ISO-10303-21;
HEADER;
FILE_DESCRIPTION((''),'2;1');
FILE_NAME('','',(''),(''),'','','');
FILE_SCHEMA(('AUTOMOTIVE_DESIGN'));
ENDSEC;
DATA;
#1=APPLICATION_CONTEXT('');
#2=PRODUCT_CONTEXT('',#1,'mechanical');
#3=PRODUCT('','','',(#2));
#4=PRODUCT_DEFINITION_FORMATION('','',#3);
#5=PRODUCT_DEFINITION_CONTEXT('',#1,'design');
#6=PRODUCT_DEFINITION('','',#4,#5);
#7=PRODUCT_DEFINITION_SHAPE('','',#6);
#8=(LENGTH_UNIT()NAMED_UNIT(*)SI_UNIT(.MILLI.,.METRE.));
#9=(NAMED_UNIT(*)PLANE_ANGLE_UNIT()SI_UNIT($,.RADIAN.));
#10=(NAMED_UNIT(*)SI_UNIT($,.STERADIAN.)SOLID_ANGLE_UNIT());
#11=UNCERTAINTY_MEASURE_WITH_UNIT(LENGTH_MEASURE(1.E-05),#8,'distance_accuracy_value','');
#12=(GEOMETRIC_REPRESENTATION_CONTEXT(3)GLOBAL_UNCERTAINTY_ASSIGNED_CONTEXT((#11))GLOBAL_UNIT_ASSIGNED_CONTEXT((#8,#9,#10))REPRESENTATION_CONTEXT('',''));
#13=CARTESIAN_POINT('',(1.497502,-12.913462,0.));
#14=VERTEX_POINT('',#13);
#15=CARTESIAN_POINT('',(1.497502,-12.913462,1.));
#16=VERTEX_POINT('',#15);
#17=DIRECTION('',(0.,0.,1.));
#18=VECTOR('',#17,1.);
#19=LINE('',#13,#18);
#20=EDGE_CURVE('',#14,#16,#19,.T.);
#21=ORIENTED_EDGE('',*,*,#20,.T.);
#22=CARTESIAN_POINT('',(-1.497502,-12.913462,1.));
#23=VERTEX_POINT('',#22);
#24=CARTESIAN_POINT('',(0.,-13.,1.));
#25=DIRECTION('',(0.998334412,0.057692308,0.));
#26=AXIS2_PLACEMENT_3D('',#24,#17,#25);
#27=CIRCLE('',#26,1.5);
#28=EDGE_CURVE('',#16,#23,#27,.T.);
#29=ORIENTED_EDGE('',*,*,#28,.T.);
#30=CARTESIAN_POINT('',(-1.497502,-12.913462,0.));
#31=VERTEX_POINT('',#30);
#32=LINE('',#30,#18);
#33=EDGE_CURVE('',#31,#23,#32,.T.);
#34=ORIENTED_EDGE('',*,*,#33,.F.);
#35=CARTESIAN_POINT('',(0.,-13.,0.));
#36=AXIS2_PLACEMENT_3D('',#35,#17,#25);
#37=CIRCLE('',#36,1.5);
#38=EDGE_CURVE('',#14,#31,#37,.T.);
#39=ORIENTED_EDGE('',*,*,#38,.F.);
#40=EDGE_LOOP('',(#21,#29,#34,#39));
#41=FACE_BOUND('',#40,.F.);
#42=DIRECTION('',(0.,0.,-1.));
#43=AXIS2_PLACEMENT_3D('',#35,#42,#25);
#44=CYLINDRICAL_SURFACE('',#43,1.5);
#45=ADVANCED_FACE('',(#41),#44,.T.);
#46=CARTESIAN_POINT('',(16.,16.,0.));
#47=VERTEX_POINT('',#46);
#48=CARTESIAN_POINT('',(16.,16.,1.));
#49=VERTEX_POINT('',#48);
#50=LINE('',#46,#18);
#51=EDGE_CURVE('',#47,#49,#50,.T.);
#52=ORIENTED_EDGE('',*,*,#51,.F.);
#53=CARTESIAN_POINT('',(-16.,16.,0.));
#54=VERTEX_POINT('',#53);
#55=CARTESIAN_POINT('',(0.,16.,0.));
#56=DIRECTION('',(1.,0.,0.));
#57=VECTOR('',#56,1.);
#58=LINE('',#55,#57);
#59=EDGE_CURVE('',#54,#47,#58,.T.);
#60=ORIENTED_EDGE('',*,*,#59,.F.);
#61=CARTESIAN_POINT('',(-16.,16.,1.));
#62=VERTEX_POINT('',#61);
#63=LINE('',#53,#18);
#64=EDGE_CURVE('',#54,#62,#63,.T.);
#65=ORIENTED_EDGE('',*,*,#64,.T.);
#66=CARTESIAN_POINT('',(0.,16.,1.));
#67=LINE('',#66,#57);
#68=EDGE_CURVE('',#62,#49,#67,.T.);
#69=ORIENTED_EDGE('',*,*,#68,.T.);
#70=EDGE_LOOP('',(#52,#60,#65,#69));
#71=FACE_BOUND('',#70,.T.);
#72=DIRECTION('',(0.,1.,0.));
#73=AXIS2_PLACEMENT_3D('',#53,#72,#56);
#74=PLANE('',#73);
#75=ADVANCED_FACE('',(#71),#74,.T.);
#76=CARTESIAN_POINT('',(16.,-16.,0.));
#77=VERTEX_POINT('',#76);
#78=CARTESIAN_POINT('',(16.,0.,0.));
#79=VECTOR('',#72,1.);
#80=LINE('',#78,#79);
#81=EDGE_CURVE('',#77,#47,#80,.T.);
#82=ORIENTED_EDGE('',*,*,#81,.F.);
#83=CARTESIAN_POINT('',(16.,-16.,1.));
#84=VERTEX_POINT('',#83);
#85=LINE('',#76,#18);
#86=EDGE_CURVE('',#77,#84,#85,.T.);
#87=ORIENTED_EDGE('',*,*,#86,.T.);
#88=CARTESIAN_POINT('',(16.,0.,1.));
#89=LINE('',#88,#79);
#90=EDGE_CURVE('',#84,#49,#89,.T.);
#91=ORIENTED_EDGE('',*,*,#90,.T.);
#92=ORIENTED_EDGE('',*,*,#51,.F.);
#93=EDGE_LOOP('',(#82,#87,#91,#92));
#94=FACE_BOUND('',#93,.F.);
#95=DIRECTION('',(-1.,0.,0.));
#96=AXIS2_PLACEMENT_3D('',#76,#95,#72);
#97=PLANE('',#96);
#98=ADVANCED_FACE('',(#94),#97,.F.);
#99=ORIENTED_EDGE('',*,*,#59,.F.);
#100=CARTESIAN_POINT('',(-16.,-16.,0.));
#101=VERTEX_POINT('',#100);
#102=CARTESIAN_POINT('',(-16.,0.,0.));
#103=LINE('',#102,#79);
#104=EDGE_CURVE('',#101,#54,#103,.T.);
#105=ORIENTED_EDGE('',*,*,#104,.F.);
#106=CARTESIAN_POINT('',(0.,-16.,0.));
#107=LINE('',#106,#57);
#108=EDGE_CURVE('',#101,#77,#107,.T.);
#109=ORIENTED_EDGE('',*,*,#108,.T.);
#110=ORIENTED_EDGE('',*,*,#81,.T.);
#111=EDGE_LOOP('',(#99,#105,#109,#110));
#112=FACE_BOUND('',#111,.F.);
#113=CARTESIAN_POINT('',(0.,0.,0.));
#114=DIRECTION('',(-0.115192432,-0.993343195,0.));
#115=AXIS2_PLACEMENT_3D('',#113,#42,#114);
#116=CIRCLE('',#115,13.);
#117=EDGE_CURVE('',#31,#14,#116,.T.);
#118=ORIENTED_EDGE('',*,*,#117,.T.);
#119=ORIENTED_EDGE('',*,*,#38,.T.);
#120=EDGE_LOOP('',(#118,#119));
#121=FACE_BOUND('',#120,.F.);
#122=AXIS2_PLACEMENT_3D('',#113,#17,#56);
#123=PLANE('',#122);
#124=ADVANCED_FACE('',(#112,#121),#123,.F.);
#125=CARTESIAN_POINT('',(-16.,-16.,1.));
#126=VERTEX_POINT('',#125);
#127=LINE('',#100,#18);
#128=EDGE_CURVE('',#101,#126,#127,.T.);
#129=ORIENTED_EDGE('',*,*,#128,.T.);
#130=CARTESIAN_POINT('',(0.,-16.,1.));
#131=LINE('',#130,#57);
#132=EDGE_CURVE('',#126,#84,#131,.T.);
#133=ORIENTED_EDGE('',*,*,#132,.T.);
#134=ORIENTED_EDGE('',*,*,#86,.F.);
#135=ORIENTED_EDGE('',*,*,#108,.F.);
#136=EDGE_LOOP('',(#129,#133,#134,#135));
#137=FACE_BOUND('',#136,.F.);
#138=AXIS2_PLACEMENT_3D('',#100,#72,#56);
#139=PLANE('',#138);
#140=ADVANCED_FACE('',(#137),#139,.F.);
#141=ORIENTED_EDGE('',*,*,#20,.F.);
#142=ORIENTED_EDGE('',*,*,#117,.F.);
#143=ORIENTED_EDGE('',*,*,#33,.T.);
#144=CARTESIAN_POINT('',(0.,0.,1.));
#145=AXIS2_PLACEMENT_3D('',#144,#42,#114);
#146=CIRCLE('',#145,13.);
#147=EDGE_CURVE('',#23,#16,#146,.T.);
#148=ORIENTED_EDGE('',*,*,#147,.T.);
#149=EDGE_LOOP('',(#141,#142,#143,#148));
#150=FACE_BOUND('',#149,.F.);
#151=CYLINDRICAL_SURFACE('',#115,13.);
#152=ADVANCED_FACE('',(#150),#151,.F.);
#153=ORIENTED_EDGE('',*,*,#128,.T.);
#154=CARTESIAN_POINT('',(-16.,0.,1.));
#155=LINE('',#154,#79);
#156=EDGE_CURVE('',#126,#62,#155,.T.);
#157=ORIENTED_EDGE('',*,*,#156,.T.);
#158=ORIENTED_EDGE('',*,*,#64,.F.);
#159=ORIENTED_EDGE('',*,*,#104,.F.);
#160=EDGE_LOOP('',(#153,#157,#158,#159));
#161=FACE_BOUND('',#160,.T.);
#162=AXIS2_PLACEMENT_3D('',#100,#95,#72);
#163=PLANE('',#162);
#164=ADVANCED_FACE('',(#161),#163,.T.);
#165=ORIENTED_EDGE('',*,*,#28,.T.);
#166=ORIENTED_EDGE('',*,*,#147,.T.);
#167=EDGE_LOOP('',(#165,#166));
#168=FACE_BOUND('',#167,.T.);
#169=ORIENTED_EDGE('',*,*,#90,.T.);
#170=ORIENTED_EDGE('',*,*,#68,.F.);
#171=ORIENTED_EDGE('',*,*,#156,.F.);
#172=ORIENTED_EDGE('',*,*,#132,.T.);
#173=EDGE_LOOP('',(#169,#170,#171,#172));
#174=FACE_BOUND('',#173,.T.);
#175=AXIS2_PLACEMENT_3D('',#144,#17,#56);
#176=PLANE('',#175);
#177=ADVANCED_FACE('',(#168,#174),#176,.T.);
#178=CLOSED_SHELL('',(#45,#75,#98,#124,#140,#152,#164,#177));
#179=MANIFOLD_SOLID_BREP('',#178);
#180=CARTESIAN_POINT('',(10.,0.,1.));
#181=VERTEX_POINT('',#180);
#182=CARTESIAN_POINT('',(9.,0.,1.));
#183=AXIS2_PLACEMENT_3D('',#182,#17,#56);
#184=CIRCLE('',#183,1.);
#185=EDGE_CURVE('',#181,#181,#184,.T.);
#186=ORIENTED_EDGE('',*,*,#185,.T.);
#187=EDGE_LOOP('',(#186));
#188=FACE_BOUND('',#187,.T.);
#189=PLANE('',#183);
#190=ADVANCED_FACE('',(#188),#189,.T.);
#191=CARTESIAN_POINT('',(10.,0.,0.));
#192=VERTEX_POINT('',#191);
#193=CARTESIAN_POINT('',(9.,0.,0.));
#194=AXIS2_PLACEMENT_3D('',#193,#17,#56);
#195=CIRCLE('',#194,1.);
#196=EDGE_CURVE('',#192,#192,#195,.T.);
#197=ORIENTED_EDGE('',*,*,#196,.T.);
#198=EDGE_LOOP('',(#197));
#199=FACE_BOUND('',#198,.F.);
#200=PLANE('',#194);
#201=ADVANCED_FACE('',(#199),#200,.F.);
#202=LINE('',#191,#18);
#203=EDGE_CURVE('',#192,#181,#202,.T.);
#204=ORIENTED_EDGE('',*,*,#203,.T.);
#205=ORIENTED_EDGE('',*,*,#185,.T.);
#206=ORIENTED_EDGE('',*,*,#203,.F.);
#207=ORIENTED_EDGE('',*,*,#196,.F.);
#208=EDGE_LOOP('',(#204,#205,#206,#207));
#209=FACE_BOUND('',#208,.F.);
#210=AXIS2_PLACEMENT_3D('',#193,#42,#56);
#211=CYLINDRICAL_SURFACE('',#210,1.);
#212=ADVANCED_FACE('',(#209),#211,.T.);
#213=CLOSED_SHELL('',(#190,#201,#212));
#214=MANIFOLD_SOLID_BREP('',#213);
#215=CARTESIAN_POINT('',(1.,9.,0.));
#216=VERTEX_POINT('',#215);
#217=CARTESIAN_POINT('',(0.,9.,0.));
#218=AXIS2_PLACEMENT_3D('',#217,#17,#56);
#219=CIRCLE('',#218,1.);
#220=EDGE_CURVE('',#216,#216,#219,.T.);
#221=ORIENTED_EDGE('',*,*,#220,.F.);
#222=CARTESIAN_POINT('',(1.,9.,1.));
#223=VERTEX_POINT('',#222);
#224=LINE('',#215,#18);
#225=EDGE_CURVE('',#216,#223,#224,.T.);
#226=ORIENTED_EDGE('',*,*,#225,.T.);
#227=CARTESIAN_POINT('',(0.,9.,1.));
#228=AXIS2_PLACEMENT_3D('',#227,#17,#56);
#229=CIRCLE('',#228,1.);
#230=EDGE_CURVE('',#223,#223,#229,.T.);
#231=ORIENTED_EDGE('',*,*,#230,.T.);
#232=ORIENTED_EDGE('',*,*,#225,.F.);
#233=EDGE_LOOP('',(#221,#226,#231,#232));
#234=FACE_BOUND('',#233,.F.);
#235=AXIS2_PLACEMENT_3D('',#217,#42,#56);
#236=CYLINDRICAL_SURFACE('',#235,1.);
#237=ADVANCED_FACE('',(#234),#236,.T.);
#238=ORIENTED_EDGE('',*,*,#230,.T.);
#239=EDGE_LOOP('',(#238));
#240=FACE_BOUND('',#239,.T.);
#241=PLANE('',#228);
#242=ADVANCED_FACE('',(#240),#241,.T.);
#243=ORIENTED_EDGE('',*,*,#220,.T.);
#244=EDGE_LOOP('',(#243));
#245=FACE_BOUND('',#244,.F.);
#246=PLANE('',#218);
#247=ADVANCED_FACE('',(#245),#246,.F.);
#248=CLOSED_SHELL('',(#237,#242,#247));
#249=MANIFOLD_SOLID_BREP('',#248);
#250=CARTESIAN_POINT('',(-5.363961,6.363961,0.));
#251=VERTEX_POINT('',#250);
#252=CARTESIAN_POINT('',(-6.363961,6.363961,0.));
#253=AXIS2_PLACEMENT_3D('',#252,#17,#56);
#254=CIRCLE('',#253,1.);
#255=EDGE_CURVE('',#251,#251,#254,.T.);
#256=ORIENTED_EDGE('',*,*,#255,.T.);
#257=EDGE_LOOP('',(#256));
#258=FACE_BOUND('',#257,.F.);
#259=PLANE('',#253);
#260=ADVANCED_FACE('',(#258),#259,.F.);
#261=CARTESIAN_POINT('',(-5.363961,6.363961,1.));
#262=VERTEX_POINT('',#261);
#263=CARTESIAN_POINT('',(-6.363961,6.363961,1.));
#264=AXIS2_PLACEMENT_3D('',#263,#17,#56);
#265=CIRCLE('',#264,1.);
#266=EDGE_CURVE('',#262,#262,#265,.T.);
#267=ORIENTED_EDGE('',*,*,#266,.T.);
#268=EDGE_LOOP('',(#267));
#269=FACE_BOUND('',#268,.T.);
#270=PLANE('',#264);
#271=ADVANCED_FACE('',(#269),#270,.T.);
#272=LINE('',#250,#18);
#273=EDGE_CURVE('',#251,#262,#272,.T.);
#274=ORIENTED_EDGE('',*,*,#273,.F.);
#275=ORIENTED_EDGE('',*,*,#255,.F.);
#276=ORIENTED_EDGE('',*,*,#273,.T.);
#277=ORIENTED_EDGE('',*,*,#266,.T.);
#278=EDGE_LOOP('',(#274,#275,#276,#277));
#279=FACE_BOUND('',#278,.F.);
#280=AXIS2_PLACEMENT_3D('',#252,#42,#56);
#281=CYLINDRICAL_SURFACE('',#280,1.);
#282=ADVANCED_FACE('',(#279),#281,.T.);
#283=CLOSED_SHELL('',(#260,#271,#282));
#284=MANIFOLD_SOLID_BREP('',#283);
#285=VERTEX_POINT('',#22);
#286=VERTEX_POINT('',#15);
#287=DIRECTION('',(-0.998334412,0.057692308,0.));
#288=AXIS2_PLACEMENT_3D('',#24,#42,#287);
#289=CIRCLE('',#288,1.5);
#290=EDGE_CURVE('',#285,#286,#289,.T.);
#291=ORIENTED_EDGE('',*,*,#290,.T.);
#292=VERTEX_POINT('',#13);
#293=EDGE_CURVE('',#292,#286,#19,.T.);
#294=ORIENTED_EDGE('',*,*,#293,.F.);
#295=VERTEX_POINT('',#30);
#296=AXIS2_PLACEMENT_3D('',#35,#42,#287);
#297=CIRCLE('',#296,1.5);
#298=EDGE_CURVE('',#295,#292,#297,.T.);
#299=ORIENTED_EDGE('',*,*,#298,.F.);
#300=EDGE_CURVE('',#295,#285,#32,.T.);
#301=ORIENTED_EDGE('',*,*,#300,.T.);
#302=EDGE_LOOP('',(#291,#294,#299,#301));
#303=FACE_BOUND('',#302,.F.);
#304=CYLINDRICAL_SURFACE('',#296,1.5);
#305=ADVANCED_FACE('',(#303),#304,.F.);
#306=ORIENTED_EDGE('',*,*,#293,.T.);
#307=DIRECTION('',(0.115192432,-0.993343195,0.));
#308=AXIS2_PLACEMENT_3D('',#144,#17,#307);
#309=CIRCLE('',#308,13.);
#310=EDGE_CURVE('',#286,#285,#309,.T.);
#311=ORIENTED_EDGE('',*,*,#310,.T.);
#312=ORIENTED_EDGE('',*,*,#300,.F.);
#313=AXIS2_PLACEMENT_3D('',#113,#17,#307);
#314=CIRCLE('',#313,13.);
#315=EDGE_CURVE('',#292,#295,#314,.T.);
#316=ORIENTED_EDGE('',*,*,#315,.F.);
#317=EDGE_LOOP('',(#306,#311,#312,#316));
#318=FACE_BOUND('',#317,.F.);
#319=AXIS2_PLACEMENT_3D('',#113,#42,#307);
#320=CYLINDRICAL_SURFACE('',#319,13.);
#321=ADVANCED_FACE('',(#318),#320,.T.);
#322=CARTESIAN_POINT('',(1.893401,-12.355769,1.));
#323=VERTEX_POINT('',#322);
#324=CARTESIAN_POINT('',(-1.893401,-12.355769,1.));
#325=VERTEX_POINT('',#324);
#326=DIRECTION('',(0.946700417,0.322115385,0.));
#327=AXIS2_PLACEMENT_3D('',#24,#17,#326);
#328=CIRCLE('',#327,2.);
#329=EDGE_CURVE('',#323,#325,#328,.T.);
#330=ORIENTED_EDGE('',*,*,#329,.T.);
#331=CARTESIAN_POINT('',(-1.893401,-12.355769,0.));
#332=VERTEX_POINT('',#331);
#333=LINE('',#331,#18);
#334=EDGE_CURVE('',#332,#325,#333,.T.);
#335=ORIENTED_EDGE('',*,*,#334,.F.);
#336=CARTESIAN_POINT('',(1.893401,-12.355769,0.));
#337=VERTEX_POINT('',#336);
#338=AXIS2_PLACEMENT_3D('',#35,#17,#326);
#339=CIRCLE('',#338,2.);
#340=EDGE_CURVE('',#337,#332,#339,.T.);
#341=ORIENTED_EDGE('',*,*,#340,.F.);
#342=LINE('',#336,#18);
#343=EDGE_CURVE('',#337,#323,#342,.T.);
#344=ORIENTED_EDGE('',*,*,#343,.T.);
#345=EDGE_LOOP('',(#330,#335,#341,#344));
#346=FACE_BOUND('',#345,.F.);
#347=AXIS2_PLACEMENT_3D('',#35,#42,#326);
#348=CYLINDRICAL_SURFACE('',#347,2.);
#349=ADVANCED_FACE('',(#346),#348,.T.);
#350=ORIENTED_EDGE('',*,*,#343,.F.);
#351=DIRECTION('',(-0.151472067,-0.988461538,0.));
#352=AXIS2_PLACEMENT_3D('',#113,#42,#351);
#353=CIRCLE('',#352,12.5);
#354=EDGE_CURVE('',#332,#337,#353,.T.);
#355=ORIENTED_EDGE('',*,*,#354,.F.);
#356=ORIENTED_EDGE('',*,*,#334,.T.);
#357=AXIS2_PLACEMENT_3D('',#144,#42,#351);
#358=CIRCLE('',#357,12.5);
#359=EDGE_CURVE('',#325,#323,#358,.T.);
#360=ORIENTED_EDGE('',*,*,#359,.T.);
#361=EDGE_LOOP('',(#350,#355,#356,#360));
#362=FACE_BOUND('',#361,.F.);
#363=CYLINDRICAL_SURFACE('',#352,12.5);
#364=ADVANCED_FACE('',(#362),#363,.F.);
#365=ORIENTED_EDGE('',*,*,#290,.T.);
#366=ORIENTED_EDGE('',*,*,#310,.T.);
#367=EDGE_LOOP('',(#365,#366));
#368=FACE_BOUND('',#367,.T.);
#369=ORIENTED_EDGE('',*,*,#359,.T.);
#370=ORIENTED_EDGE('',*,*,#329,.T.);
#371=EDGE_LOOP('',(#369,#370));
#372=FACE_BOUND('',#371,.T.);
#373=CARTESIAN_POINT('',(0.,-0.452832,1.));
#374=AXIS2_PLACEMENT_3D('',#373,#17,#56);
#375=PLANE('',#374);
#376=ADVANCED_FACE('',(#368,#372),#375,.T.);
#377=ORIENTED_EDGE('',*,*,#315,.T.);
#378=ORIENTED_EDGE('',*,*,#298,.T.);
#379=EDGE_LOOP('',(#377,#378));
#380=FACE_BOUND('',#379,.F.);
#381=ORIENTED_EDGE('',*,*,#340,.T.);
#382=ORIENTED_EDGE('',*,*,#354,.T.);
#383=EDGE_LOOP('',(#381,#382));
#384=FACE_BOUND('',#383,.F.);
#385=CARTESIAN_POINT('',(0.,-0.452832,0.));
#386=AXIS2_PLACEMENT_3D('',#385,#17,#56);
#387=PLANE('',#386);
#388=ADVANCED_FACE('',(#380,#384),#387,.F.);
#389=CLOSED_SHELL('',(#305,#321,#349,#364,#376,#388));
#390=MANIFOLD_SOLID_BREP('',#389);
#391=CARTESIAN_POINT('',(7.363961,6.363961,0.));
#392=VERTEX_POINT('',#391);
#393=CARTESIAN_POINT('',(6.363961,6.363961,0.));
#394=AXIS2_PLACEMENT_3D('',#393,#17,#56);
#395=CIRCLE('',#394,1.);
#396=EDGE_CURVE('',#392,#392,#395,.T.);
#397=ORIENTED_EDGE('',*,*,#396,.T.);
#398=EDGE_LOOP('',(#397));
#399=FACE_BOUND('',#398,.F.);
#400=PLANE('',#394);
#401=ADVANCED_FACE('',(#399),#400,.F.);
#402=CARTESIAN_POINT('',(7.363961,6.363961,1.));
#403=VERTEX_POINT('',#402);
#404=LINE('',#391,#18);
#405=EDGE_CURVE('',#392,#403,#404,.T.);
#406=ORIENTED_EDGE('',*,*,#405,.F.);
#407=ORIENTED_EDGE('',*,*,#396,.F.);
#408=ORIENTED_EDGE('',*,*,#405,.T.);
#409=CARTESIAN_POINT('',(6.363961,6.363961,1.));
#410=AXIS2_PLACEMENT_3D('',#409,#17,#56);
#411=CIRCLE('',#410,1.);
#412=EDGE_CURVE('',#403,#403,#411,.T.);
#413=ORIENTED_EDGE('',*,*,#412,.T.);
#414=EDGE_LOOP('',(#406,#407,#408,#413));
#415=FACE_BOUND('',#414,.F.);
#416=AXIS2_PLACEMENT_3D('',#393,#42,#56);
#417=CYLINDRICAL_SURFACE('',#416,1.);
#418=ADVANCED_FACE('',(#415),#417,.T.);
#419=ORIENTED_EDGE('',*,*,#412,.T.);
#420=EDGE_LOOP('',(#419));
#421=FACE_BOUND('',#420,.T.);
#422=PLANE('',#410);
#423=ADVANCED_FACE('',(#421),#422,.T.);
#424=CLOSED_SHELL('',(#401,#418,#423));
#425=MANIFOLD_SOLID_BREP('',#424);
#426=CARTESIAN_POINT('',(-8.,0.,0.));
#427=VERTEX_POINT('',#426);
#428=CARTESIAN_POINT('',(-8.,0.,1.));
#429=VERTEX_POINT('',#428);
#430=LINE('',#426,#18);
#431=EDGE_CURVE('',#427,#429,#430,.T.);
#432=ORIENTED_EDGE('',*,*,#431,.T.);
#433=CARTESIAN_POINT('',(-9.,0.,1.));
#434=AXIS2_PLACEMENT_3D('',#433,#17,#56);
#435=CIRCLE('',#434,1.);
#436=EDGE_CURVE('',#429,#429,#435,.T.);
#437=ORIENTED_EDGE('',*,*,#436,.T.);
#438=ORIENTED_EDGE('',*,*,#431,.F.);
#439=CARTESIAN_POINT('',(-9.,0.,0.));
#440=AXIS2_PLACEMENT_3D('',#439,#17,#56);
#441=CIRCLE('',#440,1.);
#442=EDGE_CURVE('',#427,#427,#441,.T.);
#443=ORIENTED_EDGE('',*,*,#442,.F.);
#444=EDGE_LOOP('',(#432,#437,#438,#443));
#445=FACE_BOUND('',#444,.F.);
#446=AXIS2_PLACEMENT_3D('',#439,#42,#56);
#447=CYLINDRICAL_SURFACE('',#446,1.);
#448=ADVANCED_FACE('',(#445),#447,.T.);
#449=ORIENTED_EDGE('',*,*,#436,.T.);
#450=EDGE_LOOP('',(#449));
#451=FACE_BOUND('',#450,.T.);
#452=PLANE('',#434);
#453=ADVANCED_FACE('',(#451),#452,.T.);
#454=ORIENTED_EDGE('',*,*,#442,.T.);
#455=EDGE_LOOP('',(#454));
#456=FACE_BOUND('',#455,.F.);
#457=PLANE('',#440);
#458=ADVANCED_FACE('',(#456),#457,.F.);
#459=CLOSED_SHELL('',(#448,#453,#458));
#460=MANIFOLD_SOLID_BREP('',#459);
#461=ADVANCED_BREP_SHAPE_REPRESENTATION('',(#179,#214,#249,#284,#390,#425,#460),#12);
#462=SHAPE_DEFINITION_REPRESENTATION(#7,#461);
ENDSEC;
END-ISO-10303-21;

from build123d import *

# Parameters (mm, degrees)
F0_R     = 1
F1_DEPTH = 1
F0_W     = 32
F0_H     = 32
F2_DEPTH = 1


with BuildPart() as f1:
    # F0 (on Top) → F1 (new body)
    with BuildSketch(Plane.XY):
        with Locations((-6.3639610307, 6.3639610307)):
            Circle(F0_R)
    extrude(amount=F1_DEPTH)


with BuildPart() as f1b:
    # F0 (on Top) → F1, piece 2 (new body)
    with BuildSketch(Plane.XY):
        with Locations((-9, 0)):
            Circle(F0_R)
    extrude(amount=F1_DEPTH)


with BuildPart() as f1c:
    # F0 (on Top) → F1, piece 3 (new body)
    with BuildSketch(Plane.XY):
        with Locations((0, 9)):
            Circle(F0_R)
    extrude(amount=F1_DEPTH)


with BuildPart() as f1d:
    # F0 (on Top) → F1, piece 4 (new body)
    with BuildSketch(Plane.XY):
        with Locations((6.3639610307, 6.3639610307)):
            Circle(F0_R)
    extrude(amount=F1_DEPTH)


with BuildPart() as f1e:
    # F0 (on Top) → F1, piece 5 (new body)
    with BuildSketch(Plane.XY):
        with Locations((9, 0)):
            Circle(F0_R)
    extrude(amount=F1_DEPTH)


with BuildPart() as f1f:
    # F0 (on Top) → F1, piece 6 (new body)
    with BuildSketch(Plane.XY):
        with BuildLine():
            ThreePointArc((-1.4975016176, -12.9134615385), (0, -11.5), (1.4975016176, -12.9134615385))
            ThreePointArc((1.4975016176, -12.9134615385), (0, 13), (-1.4975016176, -12.9134615385))
        make_face()
        with BuildLine():
            ThreePointArc((-1.8934008334, -12.3557692308), (0, 12.5), (1.8934008334, -12.3557692308))
            ThreePointArc((1.8934008334, -12.3557692308), (0, -11), (-1.8934008334, -12.3557692308))
        make_face(mode=Mode.SUBTRACT)
    extrude(amount=F1_DEPTH)


with BuildPart() as f2:
    # F0 (on Top) → F2 (new body)
    with BuildSketch(Plane.XY):
        Rectangle(F0_W, F0_H)
        with BuildLine():
            ThreePointArc((-1.4975016176, -12.9134615385), (0, 13), (1.4975016176, -12.9134615385))
            ThreePointArc((1.4975016176, -12.9134615385), (0, -11.5), (-1.4975016176, -12.9134615385))
        make_face(mode=Mode.SUBTRACT)
    extrude(amount=F2_DEPTH)


solid = Compound([f1.part, f1b.part, f1c.part, f1d.part, f1e.part, f1f.part, f2.part])
